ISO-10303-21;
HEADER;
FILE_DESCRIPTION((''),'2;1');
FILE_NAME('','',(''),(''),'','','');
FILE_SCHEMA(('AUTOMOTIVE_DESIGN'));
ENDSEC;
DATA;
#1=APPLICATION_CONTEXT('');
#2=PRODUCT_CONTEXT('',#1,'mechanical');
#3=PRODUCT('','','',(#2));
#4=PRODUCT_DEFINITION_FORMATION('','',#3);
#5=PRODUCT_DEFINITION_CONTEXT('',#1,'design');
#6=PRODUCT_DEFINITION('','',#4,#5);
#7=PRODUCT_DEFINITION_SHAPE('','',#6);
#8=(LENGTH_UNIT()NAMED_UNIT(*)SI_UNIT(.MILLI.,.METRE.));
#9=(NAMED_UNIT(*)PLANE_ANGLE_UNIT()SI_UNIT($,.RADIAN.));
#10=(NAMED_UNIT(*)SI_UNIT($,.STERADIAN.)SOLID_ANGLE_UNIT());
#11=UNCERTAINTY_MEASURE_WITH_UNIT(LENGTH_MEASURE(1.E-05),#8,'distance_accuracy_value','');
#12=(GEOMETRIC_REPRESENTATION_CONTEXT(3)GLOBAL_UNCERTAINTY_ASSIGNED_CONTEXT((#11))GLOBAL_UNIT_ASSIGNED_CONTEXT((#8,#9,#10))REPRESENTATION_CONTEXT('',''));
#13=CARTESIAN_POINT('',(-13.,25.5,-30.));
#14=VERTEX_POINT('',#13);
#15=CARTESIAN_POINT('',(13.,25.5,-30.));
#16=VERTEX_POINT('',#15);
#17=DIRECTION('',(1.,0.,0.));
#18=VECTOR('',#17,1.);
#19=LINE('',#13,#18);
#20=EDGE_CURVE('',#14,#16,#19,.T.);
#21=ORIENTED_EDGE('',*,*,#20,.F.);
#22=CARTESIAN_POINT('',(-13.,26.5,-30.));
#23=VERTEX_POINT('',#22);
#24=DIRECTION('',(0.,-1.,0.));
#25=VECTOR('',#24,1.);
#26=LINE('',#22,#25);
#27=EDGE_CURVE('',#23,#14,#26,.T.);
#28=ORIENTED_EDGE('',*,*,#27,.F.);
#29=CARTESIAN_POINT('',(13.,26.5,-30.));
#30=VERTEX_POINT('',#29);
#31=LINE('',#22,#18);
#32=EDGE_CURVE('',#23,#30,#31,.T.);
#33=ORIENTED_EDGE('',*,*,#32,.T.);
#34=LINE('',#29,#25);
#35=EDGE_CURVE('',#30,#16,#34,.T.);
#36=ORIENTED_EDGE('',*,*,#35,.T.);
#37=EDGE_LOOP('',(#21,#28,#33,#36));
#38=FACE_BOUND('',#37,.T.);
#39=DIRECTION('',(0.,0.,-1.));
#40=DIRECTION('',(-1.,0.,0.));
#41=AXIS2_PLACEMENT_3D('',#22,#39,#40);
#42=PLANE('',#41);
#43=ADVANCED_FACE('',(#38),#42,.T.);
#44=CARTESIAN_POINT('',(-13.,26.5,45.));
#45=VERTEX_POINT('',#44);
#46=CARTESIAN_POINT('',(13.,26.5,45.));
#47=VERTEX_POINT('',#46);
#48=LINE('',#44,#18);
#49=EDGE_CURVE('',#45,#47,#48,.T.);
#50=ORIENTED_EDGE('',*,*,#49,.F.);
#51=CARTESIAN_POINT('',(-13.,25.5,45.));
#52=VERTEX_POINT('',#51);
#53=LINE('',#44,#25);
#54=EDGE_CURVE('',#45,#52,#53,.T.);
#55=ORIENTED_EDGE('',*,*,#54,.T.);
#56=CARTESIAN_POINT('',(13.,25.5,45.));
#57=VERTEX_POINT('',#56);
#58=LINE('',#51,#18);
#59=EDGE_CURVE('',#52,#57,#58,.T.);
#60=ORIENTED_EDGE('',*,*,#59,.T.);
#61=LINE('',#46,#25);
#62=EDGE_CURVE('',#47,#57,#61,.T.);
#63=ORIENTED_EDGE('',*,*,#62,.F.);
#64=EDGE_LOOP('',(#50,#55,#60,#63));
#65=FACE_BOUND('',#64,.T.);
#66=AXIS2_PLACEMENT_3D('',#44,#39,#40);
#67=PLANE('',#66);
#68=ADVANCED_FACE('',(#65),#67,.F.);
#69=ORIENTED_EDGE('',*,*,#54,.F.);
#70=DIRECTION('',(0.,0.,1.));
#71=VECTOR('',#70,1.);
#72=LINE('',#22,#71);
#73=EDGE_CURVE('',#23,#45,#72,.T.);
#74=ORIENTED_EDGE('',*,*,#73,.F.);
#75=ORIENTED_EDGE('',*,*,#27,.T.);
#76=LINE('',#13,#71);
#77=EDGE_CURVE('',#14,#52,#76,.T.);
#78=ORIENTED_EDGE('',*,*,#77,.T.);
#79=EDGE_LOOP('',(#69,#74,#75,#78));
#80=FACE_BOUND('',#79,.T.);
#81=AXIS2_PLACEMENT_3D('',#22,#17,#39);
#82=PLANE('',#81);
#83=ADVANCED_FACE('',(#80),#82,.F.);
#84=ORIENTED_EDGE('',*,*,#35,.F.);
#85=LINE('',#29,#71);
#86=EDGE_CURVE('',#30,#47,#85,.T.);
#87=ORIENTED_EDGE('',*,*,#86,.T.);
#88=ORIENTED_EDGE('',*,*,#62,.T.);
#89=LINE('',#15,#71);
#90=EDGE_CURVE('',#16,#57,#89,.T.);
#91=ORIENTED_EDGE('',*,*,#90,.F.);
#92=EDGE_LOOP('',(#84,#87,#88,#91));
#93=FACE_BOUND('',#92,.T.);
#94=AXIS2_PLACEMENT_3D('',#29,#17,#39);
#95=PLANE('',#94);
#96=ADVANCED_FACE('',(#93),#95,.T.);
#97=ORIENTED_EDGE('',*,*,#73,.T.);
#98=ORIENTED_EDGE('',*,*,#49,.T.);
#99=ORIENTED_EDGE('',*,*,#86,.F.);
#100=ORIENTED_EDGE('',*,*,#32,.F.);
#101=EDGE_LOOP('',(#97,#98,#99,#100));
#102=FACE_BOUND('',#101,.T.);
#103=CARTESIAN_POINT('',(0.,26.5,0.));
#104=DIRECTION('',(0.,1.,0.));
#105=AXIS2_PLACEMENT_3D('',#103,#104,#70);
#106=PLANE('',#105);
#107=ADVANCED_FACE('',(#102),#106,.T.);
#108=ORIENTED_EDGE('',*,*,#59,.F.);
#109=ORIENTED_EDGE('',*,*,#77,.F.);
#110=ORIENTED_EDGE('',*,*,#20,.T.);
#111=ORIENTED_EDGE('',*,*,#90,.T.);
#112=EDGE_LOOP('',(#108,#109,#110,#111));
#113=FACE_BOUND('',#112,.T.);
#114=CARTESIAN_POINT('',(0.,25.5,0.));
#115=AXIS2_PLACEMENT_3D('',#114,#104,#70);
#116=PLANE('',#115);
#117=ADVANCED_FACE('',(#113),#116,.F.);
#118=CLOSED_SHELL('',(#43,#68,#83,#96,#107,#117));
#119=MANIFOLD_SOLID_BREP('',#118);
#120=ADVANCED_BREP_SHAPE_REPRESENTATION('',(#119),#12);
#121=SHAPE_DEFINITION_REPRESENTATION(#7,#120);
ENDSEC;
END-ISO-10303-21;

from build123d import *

# Parameters (mm, degrees)
SKETCH1_W           = 26
SKETCH1_H           = 75
BOSS_EXTRUDE1_DEPTH = 1


with BuildPart() as part:
    # Sketch1 → Boss-Extrude1 (new body)
    with BuildSketch(Plane(origin=(0, 25.5, 0), x_dir=(1, 0, 0), z_dir=(0, 1, 0))):
        with Locations((0, -7.5)):
            Rectangle(SKETCH1_W, SKETCH1_H)
    extrude(amount=BOSS_EXTRUDE1_DEPTH)


solid = part.part
